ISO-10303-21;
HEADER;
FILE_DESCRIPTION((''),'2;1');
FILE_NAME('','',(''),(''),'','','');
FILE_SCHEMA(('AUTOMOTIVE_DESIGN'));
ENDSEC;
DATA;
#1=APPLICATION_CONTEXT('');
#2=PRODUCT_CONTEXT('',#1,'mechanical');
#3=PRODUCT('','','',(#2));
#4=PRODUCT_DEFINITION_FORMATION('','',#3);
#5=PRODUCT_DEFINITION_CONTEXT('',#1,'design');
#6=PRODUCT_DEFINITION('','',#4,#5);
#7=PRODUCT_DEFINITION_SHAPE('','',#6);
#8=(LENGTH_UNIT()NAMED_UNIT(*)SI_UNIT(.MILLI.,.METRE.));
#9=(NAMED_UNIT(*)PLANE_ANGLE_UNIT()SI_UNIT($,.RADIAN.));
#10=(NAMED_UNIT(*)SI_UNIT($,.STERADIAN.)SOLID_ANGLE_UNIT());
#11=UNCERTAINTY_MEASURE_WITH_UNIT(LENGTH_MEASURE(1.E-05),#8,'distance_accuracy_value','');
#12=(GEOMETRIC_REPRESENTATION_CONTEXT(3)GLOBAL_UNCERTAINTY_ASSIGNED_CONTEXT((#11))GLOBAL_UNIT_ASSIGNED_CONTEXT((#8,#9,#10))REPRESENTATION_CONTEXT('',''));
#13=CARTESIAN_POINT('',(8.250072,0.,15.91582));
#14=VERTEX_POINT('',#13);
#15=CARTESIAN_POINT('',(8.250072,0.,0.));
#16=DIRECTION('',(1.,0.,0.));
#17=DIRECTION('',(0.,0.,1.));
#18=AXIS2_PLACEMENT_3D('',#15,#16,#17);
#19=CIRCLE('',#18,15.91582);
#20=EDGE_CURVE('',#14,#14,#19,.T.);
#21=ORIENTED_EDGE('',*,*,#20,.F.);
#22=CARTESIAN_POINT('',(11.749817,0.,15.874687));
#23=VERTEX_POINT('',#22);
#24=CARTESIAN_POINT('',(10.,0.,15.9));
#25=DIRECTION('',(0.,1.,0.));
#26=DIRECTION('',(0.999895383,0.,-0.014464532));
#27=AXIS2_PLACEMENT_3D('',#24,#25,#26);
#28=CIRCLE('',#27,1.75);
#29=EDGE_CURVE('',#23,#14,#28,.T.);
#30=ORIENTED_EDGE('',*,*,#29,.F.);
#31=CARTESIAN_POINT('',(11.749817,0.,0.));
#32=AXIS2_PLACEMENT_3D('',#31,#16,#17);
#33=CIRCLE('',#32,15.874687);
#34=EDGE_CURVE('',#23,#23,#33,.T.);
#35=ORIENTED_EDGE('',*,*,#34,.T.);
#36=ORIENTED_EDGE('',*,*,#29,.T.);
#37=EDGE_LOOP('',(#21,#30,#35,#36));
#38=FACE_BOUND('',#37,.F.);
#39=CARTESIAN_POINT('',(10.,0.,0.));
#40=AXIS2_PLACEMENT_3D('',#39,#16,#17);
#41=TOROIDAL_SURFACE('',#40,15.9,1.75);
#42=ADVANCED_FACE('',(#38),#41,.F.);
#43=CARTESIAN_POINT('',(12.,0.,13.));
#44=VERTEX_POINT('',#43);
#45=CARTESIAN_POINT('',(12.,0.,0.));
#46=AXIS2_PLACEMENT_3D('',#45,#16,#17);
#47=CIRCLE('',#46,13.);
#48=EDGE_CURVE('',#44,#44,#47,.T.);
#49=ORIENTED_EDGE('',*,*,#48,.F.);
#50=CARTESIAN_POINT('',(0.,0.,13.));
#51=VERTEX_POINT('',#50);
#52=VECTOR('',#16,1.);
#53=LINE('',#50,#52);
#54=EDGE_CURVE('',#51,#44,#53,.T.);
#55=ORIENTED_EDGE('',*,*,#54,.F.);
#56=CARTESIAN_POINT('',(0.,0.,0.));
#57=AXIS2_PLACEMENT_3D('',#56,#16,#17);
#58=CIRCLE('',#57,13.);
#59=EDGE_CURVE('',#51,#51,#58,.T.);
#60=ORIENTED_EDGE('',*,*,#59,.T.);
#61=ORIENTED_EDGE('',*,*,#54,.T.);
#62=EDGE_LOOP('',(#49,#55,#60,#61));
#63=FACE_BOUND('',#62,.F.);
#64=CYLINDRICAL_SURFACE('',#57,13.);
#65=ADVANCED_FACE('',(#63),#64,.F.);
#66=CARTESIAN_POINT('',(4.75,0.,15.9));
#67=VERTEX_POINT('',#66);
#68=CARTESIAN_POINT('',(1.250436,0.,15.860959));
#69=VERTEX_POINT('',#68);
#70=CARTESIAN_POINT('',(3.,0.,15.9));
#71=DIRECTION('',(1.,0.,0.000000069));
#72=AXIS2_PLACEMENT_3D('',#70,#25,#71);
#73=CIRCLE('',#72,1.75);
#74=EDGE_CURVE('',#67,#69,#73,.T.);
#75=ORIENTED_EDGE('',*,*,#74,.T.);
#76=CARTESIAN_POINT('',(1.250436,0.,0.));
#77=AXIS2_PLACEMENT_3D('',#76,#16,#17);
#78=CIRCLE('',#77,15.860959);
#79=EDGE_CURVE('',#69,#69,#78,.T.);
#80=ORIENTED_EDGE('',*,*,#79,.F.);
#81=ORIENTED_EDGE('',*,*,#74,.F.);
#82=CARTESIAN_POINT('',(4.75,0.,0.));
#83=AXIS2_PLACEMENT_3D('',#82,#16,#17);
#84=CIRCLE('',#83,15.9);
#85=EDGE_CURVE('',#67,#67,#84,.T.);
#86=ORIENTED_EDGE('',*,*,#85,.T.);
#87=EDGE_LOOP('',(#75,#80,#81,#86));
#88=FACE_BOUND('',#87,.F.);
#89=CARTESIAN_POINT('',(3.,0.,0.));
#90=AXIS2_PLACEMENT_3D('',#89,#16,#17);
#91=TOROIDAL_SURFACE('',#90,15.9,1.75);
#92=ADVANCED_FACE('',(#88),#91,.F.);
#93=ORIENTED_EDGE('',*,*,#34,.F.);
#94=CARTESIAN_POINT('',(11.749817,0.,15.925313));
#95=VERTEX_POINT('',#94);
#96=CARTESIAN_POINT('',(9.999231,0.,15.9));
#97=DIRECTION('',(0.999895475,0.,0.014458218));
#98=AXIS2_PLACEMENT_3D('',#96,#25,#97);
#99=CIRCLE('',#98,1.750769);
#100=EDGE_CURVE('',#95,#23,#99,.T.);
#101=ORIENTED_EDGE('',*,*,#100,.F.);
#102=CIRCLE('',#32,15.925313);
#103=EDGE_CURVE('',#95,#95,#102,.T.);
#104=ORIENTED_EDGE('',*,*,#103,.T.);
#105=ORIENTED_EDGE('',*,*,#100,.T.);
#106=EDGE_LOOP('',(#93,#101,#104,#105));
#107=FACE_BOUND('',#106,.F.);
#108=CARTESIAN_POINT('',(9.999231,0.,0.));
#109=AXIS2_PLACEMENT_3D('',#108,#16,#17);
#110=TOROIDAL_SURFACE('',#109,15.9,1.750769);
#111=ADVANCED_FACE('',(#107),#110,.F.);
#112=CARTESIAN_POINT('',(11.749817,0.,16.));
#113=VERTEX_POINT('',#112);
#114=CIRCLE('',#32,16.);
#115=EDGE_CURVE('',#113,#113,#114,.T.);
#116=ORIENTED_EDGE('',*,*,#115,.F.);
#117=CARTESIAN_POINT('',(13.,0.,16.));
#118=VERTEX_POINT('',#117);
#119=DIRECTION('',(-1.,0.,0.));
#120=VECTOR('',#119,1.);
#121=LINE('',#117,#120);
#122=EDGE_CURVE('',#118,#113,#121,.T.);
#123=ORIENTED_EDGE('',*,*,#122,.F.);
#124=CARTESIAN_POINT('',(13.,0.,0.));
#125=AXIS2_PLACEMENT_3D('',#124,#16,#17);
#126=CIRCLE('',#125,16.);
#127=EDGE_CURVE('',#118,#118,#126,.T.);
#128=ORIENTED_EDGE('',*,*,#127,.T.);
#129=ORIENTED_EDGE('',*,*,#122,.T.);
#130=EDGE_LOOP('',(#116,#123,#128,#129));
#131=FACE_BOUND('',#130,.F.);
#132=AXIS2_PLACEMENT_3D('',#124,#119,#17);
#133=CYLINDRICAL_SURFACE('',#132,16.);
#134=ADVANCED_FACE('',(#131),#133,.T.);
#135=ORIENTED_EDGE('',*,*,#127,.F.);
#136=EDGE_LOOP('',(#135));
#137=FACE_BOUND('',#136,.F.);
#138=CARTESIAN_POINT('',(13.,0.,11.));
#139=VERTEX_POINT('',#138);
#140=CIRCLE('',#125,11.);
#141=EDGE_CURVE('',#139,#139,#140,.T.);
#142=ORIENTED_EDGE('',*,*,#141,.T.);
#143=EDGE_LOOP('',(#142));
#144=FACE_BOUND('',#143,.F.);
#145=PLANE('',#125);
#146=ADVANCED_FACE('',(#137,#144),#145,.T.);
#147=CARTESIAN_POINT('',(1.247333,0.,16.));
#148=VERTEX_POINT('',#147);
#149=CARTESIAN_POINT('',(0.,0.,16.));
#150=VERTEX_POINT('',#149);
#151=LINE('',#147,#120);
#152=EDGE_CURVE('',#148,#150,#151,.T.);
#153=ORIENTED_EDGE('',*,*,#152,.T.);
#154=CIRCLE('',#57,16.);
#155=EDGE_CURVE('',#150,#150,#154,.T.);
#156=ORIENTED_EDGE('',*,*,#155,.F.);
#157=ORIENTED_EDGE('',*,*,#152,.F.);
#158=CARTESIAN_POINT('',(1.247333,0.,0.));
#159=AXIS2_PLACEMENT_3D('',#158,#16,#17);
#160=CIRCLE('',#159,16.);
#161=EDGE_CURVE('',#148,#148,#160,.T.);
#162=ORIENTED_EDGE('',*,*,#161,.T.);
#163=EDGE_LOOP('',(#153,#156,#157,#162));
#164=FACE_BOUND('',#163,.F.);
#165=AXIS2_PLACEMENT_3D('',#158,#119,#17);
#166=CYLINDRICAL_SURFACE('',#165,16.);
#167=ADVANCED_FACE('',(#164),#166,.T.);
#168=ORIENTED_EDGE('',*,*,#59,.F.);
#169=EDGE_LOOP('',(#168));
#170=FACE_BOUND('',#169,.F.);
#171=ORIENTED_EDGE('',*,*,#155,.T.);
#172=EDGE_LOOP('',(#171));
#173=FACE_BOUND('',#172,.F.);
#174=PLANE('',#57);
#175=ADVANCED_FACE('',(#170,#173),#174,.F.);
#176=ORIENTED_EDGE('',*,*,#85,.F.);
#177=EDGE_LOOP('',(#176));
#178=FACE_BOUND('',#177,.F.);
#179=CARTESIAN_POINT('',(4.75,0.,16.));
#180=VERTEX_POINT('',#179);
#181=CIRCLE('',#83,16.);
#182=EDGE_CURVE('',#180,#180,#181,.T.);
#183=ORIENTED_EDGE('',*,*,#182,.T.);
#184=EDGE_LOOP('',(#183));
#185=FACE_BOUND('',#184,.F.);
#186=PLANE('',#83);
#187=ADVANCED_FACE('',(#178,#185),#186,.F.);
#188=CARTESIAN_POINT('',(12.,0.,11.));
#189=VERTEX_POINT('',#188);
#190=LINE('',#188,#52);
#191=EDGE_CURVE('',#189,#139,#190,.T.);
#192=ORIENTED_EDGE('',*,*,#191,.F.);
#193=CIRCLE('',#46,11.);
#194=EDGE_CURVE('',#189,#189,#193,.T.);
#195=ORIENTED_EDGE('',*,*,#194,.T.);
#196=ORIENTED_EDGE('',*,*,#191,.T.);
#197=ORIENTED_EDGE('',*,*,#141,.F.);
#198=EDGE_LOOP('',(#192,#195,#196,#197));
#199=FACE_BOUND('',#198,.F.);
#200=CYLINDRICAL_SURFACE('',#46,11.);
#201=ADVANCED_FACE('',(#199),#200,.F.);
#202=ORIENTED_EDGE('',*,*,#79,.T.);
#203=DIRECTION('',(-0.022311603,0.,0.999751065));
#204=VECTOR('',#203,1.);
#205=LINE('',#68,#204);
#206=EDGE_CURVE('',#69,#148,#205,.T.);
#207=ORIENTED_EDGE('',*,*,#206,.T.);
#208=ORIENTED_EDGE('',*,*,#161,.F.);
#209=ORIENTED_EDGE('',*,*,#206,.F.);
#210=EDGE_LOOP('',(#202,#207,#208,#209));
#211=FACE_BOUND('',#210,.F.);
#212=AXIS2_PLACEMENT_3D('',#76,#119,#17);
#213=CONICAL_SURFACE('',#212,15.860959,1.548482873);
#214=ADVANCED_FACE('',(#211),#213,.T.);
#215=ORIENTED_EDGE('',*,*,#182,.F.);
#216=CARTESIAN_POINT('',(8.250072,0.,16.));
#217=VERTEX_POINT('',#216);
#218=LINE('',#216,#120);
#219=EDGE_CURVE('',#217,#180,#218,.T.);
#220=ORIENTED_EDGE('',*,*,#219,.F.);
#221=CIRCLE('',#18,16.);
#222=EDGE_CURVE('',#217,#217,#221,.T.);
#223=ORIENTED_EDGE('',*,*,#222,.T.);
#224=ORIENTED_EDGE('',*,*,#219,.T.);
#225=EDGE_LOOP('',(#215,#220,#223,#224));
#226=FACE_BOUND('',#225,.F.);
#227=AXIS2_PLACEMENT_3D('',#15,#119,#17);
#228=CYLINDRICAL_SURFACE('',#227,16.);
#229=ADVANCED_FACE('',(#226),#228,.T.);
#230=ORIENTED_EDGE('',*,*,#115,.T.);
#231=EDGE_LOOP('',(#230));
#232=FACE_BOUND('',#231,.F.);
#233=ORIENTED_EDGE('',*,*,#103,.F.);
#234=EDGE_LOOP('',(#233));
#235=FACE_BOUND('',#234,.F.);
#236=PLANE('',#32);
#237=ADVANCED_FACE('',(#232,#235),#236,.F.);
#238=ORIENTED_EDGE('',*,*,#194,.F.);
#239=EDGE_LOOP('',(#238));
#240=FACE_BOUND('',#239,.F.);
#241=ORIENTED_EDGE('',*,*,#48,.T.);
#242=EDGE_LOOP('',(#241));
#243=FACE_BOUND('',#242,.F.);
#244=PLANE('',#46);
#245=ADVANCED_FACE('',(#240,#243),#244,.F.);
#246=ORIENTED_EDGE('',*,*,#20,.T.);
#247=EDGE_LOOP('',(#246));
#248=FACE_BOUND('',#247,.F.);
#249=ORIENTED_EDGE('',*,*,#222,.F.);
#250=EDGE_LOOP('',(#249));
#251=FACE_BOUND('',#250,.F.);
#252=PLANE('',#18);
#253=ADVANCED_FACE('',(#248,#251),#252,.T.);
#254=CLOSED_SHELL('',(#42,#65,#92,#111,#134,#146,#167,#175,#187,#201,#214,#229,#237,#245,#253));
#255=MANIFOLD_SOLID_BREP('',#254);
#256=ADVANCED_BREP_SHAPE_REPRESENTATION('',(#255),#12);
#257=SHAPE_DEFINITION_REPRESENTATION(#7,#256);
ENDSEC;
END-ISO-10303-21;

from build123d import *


with BuildPart() as f1:
    # F0 (on Front) → F1 (revolve)
    with BuildSketch(Plane.XZ):
        with BuildLine():
            Line((1.247333, 16), (0, 16))
            Line((0, 16), (0, 13))
            Line((0, 13), (12, 13))
            Line((12, 13), (12, 11))
            Line((12, 11), (13, 11))
            Line((13, 11), (13, 16))
            Line((13, 16), (12, 16))
            Line((12, 16), (11.749817, 16))
            Line((11.749817, 16), (11.749817, 15.925313))
            ThreePointArc((11.749817, 15.925313), (11.75, 15.9), (11.749817, 15.874687))
            ThreePointArc((11.749817, 15.874687), (9.979433, 14.150121), (8.250072, 15.91582))
            Line((8.250072, 15.91582), (8.250072, 16))
            Line((8.250072, 16), (4.75, 16))
            Line((4.75, 16), (4.75, 15.9))
            ThreePointArc((4.75, 15.9), (3.019522, 14.150109), (1.250436, 15.860959))
            Line((1.250436, 15.860959), (1.247333, 16))
        make_face()
    revolve(axis=Axis((8.760135, 0, 0), (1, 0, 0)))


solid = f1.part
